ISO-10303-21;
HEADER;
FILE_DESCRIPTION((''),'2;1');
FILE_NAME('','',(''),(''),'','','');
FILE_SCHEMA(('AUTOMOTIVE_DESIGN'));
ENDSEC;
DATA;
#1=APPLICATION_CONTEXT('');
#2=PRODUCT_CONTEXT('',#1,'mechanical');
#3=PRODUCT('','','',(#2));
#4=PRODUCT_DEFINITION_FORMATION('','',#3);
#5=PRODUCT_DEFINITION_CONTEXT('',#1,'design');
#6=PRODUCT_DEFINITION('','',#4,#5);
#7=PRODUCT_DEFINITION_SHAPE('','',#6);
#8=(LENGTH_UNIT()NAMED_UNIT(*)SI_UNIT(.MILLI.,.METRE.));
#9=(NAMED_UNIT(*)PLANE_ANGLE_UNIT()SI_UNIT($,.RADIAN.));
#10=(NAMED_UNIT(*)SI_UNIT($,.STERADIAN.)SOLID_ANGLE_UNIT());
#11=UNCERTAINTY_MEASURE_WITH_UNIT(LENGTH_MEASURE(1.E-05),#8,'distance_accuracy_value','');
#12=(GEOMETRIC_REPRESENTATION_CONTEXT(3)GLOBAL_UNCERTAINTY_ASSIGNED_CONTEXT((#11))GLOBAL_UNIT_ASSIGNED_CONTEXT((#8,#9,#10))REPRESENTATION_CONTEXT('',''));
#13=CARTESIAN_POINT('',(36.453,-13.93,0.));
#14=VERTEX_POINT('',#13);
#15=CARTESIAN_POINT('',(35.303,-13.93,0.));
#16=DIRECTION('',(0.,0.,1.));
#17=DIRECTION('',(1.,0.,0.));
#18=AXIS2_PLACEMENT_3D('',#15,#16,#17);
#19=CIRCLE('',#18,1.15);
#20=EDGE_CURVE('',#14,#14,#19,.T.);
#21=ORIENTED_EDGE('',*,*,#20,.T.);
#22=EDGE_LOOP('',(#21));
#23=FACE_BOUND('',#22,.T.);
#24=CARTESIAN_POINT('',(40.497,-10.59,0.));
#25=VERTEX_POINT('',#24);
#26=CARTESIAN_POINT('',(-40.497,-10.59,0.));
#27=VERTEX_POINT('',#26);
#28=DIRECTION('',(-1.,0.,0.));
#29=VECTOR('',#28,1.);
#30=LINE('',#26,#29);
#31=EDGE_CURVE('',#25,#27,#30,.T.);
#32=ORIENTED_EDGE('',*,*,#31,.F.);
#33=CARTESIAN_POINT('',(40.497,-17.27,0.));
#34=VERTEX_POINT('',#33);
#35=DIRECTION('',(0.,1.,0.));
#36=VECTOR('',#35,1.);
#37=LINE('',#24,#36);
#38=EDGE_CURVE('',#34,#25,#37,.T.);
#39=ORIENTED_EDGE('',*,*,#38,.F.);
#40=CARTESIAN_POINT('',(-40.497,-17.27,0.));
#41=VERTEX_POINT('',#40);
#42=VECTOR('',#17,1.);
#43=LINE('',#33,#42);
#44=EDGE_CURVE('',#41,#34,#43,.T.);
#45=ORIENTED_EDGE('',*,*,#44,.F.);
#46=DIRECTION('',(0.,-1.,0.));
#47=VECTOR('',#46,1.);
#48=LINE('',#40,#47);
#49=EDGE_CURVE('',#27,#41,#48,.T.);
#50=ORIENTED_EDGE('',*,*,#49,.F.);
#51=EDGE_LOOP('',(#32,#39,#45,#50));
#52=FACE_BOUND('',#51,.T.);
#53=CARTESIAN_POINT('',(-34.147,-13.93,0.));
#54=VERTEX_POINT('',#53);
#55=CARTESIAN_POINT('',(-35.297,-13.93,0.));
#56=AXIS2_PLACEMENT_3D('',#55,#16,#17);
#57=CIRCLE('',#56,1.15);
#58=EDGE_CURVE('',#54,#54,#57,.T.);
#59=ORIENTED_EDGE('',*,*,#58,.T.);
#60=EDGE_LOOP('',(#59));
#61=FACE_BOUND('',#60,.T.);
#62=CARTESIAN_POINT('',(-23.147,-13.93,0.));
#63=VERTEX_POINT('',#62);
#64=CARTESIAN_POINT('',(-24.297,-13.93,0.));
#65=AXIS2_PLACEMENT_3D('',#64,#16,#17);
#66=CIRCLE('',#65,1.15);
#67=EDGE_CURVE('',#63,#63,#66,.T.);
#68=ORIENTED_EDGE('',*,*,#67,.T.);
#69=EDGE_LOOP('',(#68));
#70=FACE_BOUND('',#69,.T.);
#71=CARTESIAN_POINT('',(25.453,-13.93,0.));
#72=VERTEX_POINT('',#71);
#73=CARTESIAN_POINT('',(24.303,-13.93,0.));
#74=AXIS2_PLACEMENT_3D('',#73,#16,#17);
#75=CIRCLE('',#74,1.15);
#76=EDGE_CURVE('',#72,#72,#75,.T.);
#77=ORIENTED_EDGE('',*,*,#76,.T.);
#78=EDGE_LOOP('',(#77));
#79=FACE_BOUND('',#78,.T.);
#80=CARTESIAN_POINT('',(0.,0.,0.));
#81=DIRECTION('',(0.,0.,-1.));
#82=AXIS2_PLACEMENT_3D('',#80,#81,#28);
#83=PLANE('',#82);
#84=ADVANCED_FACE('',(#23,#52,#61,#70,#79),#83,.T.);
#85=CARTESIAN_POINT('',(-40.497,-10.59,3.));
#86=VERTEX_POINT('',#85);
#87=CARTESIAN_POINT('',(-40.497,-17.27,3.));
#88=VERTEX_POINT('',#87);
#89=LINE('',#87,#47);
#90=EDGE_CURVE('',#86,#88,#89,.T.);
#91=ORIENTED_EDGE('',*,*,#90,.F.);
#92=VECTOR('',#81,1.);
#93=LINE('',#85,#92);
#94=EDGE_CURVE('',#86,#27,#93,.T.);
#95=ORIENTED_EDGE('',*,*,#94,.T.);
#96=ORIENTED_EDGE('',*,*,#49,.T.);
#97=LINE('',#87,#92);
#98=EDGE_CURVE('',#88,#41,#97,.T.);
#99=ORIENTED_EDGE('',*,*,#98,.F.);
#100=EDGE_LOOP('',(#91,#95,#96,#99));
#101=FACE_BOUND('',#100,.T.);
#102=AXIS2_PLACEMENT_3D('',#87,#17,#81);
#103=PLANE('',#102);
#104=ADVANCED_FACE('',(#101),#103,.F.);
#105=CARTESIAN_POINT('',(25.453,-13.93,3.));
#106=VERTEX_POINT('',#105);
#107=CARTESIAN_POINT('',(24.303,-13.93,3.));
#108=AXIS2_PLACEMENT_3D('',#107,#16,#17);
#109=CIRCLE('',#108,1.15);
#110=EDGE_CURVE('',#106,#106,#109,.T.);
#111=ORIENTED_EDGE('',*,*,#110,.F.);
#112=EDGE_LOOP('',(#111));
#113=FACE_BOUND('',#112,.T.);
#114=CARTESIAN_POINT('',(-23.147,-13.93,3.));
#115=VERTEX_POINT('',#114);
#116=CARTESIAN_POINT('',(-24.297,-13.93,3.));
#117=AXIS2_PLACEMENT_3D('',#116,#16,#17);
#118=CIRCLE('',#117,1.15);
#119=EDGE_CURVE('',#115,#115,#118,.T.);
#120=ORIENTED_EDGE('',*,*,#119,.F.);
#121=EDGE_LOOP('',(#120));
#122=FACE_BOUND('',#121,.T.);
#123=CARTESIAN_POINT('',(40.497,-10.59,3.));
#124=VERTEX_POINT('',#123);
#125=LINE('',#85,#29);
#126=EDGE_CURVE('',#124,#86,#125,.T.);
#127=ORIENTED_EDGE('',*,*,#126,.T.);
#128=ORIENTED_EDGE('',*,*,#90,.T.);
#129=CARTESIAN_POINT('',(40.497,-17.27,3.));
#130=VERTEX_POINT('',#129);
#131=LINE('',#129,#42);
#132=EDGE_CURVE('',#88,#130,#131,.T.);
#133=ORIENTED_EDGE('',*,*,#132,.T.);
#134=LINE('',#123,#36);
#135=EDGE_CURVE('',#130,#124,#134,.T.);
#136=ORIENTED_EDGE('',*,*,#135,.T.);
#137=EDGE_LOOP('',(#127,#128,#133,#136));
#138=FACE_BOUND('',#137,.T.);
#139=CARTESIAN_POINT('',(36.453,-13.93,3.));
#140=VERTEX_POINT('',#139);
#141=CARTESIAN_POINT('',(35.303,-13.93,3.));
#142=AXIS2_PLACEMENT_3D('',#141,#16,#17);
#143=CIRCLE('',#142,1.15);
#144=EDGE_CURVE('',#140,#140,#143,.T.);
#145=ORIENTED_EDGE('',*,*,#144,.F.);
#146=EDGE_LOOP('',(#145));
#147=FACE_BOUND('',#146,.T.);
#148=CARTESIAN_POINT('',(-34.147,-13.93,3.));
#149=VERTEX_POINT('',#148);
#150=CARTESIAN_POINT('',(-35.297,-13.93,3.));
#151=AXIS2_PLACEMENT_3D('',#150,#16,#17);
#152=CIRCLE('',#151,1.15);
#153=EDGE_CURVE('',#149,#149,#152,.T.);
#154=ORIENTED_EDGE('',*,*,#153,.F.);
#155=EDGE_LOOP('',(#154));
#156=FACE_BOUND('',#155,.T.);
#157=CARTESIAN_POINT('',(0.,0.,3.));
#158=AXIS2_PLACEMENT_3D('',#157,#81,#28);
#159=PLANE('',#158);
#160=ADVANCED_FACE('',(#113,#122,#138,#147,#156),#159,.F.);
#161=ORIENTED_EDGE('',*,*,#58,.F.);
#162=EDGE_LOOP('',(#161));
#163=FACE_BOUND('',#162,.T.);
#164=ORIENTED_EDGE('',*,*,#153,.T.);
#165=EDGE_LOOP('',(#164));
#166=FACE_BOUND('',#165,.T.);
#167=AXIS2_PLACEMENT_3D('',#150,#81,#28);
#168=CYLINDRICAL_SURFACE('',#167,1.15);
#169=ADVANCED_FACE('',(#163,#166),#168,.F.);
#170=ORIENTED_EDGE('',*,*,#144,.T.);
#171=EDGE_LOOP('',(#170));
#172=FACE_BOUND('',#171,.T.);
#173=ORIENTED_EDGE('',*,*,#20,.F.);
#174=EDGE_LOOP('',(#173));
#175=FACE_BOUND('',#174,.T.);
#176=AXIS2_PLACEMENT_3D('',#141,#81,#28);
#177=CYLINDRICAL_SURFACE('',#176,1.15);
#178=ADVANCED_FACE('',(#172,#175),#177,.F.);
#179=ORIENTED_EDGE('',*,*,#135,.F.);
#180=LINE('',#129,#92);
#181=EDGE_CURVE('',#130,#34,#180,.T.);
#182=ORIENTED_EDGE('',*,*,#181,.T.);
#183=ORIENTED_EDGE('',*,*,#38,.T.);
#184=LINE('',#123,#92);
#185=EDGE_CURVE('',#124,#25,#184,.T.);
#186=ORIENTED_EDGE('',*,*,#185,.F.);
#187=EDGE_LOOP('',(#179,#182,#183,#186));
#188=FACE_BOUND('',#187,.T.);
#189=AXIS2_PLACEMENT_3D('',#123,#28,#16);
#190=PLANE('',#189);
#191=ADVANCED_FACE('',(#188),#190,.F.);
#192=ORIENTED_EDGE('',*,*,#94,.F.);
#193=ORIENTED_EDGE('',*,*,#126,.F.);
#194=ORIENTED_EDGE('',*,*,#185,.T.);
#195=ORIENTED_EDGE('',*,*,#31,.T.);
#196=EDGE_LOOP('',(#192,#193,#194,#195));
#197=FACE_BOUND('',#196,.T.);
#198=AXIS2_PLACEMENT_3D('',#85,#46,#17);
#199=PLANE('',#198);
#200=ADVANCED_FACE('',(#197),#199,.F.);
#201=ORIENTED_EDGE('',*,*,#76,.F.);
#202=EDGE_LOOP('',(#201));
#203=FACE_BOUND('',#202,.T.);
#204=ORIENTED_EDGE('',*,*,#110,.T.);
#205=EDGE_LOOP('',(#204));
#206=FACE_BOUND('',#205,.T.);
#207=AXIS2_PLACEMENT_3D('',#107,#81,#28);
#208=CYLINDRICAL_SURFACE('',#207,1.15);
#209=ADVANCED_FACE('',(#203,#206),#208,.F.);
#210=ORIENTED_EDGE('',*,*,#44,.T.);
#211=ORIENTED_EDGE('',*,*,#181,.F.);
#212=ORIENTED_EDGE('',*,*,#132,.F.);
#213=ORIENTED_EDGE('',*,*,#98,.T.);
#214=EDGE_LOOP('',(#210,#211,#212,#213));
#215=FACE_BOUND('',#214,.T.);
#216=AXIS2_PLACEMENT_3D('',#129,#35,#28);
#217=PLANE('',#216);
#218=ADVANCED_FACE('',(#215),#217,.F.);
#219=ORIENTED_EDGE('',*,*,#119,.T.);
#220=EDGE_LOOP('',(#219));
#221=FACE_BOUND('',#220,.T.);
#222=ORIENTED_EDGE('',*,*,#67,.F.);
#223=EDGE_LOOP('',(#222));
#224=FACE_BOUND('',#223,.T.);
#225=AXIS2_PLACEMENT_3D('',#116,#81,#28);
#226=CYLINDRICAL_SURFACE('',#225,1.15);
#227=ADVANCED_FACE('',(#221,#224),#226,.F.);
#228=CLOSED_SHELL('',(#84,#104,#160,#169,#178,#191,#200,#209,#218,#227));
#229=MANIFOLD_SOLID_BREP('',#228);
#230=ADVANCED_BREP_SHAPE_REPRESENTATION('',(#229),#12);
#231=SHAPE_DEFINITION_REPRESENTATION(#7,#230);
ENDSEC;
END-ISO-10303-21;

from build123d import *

# Parameters (mm, degrees)
SKETCH_1_W      = 80.994
SKETCH_1_H      = 6.68
SKETCH_1_R      = 1.15
EXTRUDE_1_DEPTH = 3


with BuildPart() as part:
    # 草图1 → 凸台-拉伸1 (new body)
    with BuildSketch(Plane.XY):
        with Locations((0, -13.93)):
            Rectangle(SKETCH_1_W, SKETCH_1_H)
        with Locations((-35.297, -13.93)):
            Circle(SKETCH_1_R, mode=Mode.SUBTRACT)
        with Locations((-24.297, -13.93)):
            Circle(SKETCH_1_R, mode=Mode.SUBTRACT)
        with Locations((24.303, -13.93)):
            Circle(SKETCH_1_R, mode=Mode.SUBTRACT)
        with Locations((35.303, -13.93)):
            Circle(SKETCH_1_R, mode=Mode.SUBTRACT)
    extrude(amount=EXTRUDE_1_DEPTH)


solid = part.part
